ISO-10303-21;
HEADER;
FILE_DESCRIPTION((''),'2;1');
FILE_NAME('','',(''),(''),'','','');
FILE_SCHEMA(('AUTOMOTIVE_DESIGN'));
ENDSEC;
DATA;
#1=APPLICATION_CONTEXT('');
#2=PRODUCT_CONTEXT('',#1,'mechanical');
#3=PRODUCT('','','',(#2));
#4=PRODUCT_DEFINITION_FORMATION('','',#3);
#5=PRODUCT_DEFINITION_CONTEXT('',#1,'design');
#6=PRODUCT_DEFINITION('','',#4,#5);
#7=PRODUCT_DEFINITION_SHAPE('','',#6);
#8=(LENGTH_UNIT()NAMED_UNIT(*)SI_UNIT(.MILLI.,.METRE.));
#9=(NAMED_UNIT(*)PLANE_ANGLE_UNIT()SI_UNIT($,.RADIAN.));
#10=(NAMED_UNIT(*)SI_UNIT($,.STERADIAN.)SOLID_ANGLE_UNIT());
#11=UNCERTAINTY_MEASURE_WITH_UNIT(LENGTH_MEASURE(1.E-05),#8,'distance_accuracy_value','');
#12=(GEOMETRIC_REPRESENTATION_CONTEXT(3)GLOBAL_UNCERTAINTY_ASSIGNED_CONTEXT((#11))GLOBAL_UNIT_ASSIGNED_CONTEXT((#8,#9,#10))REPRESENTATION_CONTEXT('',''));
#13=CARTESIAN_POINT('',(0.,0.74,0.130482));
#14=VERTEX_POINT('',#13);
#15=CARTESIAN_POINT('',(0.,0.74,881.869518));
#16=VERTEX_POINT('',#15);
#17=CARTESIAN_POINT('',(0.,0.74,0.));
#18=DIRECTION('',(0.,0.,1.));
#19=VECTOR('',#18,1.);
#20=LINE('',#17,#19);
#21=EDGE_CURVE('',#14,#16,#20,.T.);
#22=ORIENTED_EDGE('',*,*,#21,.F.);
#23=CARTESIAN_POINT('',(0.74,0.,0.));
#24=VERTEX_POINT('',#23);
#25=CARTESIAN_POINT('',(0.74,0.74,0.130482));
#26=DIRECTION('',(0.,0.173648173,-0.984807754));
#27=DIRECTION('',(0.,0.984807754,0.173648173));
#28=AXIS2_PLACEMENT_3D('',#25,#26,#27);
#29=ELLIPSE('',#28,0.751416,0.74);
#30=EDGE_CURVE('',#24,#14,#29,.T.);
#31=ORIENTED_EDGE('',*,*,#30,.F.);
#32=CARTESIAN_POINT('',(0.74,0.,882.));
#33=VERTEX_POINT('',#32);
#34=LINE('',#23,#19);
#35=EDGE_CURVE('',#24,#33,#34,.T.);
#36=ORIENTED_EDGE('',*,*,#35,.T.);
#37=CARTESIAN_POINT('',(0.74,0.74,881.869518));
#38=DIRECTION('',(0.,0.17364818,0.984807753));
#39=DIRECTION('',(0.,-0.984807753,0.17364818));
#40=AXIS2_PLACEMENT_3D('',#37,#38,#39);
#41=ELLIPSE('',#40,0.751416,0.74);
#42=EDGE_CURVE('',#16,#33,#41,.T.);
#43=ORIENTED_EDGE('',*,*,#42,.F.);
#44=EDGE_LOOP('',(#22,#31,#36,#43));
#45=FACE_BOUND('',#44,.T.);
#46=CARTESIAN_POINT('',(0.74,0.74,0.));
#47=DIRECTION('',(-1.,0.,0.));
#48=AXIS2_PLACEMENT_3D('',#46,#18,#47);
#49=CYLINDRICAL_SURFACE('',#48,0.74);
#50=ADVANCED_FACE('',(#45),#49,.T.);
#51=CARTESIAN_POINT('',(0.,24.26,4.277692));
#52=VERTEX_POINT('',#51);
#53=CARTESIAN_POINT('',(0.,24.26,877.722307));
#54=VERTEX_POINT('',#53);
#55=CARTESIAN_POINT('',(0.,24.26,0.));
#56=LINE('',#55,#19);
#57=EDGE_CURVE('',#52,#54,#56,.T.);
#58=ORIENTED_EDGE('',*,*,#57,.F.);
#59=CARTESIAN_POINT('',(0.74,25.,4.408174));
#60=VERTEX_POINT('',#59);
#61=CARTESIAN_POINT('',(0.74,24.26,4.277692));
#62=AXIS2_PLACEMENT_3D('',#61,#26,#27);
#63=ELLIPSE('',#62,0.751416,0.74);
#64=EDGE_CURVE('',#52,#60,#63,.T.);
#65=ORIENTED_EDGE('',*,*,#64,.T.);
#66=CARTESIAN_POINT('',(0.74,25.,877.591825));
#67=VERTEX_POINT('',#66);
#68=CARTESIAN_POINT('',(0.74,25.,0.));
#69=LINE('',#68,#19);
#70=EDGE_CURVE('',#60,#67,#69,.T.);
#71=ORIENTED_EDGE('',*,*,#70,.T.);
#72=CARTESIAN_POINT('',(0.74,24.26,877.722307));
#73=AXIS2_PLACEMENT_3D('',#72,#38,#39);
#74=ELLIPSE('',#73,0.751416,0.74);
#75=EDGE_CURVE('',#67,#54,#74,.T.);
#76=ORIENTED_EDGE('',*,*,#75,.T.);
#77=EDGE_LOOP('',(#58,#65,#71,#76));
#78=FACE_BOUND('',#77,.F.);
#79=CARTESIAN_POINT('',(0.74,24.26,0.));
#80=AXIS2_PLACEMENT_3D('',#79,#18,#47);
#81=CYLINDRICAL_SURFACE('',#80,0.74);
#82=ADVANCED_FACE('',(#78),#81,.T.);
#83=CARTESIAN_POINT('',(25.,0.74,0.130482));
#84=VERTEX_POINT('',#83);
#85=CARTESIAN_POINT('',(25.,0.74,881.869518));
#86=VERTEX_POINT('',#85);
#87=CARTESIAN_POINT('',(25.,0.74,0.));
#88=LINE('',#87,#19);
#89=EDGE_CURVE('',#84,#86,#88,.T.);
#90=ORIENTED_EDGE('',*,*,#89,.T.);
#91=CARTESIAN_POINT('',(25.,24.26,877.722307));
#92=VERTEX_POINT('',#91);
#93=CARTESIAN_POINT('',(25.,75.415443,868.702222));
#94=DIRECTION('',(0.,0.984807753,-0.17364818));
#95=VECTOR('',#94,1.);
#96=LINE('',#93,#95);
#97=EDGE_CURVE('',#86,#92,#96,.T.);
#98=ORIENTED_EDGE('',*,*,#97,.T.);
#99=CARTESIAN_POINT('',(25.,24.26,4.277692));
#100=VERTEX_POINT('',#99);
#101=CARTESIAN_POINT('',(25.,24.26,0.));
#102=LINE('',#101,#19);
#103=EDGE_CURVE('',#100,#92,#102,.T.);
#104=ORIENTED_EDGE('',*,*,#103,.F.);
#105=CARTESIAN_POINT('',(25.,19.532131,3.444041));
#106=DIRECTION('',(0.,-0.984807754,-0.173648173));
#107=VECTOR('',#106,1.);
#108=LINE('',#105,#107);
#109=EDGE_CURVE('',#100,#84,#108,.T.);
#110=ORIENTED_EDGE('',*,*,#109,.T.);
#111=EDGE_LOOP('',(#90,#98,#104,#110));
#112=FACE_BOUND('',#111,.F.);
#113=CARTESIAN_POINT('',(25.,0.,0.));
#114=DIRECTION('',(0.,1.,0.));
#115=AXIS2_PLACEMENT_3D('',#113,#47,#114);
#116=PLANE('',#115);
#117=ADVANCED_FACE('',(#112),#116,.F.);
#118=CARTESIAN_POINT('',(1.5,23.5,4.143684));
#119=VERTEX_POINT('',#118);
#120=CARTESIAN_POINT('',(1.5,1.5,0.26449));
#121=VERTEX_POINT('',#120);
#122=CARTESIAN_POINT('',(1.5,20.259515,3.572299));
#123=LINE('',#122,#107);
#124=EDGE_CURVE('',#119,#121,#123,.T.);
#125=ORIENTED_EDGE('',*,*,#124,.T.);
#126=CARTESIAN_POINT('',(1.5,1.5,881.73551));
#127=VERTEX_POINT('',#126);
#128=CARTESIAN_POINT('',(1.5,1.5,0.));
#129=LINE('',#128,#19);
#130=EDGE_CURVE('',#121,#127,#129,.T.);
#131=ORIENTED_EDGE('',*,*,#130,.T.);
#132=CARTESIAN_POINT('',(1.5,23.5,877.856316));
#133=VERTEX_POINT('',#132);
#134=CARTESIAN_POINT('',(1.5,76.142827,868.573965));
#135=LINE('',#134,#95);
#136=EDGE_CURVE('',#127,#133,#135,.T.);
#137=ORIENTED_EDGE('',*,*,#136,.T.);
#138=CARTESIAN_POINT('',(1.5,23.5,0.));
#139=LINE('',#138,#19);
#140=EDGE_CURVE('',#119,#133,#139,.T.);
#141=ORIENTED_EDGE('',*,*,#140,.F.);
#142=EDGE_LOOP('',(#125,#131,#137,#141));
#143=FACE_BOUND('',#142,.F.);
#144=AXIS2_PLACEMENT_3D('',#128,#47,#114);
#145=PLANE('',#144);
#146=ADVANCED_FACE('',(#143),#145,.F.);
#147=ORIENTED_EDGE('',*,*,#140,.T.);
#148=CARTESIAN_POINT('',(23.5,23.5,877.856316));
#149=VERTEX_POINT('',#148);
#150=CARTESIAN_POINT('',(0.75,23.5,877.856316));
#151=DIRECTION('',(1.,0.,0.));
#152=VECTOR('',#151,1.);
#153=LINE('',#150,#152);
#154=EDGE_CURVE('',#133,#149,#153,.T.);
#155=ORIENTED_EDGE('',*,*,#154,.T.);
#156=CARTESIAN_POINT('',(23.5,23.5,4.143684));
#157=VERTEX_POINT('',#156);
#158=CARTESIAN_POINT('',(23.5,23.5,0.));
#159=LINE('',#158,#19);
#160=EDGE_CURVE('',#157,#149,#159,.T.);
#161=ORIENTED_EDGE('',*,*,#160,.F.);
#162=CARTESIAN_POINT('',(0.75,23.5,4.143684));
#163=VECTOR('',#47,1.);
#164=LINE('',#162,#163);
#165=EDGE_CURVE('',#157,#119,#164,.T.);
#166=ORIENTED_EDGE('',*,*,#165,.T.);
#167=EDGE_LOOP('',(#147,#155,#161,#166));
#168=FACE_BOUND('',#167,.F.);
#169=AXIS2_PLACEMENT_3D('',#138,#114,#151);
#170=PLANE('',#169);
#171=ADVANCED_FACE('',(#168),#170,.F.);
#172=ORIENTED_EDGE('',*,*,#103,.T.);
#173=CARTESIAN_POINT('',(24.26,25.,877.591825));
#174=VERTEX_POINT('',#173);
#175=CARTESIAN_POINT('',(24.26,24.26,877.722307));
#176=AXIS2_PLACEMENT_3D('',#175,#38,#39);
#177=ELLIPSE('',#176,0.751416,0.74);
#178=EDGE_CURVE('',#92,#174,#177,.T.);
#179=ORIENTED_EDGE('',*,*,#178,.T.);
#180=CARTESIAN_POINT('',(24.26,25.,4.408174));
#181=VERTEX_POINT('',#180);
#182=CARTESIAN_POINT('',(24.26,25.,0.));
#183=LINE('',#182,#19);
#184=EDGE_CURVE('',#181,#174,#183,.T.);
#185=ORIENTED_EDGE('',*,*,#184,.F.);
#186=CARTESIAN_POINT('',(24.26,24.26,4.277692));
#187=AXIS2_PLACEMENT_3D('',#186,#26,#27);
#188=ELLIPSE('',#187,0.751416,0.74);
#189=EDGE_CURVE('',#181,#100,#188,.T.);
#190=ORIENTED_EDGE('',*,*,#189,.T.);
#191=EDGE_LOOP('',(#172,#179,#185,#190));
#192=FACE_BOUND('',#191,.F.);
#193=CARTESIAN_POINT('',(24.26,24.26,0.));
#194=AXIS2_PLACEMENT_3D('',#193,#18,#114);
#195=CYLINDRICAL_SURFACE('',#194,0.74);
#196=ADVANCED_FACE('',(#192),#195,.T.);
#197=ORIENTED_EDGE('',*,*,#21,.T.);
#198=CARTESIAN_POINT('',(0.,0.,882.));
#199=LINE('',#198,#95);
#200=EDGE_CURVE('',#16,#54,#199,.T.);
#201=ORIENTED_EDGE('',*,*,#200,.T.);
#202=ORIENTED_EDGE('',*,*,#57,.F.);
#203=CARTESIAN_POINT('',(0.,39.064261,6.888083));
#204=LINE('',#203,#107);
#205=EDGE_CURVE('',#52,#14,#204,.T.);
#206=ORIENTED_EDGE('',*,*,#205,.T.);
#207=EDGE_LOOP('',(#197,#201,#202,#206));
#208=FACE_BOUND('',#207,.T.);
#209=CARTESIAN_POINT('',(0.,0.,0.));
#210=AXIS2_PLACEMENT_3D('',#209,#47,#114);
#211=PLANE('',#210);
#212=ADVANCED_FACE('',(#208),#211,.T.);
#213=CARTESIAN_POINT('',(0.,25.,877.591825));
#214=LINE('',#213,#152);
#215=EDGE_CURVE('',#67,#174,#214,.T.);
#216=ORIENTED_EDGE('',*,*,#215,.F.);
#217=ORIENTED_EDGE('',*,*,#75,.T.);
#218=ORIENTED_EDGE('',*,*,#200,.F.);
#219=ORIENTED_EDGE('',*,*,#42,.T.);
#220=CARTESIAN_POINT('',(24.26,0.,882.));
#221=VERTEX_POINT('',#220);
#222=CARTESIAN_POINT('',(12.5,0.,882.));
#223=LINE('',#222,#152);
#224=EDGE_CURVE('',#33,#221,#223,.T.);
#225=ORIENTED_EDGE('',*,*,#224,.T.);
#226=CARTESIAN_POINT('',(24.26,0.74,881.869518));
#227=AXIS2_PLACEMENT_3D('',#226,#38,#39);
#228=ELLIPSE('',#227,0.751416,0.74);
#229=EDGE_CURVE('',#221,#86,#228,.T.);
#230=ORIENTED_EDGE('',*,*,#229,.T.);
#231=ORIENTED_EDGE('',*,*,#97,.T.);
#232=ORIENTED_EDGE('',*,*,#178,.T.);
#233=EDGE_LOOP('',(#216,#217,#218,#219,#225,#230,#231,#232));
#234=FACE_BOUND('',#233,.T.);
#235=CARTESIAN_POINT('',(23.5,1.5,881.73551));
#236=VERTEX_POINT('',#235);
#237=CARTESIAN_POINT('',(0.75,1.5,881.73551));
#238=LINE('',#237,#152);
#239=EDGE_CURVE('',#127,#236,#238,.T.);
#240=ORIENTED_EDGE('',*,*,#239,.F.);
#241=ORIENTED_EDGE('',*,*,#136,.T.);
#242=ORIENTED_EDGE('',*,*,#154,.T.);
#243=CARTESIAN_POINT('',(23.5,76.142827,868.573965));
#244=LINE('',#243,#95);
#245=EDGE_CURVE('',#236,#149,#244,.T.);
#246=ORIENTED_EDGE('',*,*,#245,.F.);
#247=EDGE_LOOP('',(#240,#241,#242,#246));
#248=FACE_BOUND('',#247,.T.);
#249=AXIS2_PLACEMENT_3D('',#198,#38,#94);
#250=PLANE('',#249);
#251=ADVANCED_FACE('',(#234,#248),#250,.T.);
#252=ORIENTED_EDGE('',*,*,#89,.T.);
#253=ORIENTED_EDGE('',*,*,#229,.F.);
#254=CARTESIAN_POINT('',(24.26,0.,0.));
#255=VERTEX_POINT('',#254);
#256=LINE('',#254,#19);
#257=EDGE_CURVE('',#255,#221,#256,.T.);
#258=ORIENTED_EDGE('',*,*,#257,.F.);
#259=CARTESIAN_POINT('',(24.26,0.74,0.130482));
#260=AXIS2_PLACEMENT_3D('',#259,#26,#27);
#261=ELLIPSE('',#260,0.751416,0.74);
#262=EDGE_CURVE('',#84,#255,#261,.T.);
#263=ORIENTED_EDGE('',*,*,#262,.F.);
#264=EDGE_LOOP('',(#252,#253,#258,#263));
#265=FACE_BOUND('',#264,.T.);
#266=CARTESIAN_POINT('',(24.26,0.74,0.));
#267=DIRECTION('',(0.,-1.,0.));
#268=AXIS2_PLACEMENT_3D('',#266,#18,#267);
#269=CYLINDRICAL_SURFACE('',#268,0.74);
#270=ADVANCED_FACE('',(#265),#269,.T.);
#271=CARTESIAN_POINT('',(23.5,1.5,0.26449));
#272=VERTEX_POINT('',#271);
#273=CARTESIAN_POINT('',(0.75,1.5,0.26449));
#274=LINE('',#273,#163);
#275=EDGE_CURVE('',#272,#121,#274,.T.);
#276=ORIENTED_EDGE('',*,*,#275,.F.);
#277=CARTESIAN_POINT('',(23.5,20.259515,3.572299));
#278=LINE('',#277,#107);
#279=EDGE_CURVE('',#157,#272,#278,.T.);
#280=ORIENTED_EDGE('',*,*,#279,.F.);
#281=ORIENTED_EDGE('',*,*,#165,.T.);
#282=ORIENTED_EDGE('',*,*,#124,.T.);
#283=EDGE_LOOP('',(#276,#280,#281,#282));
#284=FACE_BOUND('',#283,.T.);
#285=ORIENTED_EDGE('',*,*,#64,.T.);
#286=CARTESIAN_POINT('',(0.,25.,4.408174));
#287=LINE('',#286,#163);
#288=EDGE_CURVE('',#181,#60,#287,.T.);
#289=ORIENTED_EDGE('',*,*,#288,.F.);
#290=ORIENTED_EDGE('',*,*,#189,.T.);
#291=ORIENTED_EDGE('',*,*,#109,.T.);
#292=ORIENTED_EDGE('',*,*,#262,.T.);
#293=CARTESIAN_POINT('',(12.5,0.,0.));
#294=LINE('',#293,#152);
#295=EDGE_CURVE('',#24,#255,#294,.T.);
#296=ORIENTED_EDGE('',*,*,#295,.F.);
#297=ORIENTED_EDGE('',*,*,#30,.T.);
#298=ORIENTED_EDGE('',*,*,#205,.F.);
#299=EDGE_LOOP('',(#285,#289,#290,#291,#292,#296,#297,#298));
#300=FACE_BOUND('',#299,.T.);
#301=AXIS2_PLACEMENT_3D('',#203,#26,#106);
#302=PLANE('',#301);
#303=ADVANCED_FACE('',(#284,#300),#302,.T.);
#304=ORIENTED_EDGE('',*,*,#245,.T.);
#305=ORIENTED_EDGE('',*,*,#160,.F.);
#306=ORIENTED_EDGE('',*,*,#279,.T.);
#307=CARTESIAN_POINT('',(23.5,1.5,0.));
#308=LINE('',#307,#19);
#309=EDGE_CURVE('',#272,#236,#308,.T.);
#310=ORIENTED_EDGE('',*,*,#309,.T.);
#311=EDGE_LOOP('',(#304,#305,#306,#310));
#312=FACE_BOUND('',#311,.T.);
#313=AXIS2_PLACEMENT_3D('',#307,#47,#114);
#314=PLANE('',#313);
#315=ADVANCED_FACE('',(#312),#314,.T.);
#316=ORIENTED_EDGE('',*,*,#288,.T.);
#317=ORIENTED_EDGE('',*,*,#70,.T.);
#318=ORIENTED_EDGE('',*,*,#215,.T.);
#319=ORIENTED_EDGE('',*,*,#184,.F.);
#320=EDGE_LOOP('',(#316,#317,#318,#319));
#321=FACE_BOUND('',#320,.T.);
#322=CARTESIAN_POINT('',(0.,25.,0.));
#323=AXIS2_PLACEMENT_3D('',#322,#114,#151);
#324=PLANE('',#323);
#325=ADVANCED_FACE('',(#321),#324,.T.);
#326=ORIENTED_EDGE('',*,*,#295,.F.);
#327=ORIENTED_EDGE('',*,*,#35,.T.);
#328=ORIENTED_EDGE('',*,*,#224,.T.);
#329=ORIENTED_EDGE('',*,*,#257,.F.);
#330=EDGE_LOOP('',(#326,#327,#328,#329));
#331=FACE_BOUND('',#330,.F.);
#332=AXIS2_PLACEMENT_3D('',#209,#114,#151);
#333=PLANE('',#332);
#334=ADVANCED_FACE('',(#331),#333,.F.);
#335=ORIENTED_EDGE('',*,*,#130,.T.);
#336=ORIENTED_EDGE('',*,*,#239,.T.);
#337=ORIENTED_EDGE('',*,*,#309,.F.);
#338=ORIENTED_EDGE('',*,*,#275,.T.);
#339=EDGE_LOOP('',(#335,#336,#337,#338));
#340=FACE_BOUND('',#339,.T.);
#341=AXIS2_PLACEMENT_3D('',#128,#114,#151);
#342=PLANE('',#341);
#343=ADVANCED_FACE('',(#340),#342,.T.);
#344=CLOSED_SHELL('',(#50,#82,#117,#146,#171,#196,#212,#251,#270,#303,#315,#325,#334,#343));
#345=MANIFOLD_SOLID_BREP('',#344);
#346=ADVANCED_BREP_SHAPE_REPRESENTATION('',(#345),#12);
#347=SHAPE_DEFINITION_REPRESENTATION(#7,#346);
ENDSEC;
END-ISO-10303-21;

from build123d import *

# Parameters (mm, degrees)
SKETCH_W     = 25
SKETCH_H     = 25
SKETCH_W_2   = 22
SKETCH_H_2   = 22
PAD_DEPTH    = 882
FILLET_R     = 0.74
POCKET_DEPTH = 25.001


with BuildPart() as part:
    # Sketch → Pad (new body)
    with BuildSketch(Plane.XY):
        with Locations((12.5, 12.5)):
            Rectangle(SKETCH_W, SKETCH_H)
        with Locations((12.5, 12.5)):
            Rectangle(SKETCH_W_2, SKETCH_H_2, mode=Mode.SUBTRACT)
    extrude(amount=PAD_DEPTH)

    # Fillet
    fillet_edges = [part.edges().sort_by_distance(p)[0] for p in [
        (25, 0, 441),
        (0, 0, 441),
        (25, 25, 441),
        (0, 25, 441),
    ]]
    fillet(fillet_edges, radius=FILLET_R)

    # Sketch001 (on Face6 of Fillet) → Pocket (cut, through all)
    with BuildSketch(Plane(origin=(0, 0, 0), x_dir=(0, -1, 0), z_dir=(-1, 0, 0))):
        Polygon((0, 882), (-46.854502, 873.738287), (-48.019741, 909.975952), align=None)
        Polygon((0, 0), (-35.255848, -14.284037), (-39.064261, 6.888083), align=None)
    extrude(amount=-POCKET_DEPTH, mode=Mode.SUBTRACT)


solid = part.part
